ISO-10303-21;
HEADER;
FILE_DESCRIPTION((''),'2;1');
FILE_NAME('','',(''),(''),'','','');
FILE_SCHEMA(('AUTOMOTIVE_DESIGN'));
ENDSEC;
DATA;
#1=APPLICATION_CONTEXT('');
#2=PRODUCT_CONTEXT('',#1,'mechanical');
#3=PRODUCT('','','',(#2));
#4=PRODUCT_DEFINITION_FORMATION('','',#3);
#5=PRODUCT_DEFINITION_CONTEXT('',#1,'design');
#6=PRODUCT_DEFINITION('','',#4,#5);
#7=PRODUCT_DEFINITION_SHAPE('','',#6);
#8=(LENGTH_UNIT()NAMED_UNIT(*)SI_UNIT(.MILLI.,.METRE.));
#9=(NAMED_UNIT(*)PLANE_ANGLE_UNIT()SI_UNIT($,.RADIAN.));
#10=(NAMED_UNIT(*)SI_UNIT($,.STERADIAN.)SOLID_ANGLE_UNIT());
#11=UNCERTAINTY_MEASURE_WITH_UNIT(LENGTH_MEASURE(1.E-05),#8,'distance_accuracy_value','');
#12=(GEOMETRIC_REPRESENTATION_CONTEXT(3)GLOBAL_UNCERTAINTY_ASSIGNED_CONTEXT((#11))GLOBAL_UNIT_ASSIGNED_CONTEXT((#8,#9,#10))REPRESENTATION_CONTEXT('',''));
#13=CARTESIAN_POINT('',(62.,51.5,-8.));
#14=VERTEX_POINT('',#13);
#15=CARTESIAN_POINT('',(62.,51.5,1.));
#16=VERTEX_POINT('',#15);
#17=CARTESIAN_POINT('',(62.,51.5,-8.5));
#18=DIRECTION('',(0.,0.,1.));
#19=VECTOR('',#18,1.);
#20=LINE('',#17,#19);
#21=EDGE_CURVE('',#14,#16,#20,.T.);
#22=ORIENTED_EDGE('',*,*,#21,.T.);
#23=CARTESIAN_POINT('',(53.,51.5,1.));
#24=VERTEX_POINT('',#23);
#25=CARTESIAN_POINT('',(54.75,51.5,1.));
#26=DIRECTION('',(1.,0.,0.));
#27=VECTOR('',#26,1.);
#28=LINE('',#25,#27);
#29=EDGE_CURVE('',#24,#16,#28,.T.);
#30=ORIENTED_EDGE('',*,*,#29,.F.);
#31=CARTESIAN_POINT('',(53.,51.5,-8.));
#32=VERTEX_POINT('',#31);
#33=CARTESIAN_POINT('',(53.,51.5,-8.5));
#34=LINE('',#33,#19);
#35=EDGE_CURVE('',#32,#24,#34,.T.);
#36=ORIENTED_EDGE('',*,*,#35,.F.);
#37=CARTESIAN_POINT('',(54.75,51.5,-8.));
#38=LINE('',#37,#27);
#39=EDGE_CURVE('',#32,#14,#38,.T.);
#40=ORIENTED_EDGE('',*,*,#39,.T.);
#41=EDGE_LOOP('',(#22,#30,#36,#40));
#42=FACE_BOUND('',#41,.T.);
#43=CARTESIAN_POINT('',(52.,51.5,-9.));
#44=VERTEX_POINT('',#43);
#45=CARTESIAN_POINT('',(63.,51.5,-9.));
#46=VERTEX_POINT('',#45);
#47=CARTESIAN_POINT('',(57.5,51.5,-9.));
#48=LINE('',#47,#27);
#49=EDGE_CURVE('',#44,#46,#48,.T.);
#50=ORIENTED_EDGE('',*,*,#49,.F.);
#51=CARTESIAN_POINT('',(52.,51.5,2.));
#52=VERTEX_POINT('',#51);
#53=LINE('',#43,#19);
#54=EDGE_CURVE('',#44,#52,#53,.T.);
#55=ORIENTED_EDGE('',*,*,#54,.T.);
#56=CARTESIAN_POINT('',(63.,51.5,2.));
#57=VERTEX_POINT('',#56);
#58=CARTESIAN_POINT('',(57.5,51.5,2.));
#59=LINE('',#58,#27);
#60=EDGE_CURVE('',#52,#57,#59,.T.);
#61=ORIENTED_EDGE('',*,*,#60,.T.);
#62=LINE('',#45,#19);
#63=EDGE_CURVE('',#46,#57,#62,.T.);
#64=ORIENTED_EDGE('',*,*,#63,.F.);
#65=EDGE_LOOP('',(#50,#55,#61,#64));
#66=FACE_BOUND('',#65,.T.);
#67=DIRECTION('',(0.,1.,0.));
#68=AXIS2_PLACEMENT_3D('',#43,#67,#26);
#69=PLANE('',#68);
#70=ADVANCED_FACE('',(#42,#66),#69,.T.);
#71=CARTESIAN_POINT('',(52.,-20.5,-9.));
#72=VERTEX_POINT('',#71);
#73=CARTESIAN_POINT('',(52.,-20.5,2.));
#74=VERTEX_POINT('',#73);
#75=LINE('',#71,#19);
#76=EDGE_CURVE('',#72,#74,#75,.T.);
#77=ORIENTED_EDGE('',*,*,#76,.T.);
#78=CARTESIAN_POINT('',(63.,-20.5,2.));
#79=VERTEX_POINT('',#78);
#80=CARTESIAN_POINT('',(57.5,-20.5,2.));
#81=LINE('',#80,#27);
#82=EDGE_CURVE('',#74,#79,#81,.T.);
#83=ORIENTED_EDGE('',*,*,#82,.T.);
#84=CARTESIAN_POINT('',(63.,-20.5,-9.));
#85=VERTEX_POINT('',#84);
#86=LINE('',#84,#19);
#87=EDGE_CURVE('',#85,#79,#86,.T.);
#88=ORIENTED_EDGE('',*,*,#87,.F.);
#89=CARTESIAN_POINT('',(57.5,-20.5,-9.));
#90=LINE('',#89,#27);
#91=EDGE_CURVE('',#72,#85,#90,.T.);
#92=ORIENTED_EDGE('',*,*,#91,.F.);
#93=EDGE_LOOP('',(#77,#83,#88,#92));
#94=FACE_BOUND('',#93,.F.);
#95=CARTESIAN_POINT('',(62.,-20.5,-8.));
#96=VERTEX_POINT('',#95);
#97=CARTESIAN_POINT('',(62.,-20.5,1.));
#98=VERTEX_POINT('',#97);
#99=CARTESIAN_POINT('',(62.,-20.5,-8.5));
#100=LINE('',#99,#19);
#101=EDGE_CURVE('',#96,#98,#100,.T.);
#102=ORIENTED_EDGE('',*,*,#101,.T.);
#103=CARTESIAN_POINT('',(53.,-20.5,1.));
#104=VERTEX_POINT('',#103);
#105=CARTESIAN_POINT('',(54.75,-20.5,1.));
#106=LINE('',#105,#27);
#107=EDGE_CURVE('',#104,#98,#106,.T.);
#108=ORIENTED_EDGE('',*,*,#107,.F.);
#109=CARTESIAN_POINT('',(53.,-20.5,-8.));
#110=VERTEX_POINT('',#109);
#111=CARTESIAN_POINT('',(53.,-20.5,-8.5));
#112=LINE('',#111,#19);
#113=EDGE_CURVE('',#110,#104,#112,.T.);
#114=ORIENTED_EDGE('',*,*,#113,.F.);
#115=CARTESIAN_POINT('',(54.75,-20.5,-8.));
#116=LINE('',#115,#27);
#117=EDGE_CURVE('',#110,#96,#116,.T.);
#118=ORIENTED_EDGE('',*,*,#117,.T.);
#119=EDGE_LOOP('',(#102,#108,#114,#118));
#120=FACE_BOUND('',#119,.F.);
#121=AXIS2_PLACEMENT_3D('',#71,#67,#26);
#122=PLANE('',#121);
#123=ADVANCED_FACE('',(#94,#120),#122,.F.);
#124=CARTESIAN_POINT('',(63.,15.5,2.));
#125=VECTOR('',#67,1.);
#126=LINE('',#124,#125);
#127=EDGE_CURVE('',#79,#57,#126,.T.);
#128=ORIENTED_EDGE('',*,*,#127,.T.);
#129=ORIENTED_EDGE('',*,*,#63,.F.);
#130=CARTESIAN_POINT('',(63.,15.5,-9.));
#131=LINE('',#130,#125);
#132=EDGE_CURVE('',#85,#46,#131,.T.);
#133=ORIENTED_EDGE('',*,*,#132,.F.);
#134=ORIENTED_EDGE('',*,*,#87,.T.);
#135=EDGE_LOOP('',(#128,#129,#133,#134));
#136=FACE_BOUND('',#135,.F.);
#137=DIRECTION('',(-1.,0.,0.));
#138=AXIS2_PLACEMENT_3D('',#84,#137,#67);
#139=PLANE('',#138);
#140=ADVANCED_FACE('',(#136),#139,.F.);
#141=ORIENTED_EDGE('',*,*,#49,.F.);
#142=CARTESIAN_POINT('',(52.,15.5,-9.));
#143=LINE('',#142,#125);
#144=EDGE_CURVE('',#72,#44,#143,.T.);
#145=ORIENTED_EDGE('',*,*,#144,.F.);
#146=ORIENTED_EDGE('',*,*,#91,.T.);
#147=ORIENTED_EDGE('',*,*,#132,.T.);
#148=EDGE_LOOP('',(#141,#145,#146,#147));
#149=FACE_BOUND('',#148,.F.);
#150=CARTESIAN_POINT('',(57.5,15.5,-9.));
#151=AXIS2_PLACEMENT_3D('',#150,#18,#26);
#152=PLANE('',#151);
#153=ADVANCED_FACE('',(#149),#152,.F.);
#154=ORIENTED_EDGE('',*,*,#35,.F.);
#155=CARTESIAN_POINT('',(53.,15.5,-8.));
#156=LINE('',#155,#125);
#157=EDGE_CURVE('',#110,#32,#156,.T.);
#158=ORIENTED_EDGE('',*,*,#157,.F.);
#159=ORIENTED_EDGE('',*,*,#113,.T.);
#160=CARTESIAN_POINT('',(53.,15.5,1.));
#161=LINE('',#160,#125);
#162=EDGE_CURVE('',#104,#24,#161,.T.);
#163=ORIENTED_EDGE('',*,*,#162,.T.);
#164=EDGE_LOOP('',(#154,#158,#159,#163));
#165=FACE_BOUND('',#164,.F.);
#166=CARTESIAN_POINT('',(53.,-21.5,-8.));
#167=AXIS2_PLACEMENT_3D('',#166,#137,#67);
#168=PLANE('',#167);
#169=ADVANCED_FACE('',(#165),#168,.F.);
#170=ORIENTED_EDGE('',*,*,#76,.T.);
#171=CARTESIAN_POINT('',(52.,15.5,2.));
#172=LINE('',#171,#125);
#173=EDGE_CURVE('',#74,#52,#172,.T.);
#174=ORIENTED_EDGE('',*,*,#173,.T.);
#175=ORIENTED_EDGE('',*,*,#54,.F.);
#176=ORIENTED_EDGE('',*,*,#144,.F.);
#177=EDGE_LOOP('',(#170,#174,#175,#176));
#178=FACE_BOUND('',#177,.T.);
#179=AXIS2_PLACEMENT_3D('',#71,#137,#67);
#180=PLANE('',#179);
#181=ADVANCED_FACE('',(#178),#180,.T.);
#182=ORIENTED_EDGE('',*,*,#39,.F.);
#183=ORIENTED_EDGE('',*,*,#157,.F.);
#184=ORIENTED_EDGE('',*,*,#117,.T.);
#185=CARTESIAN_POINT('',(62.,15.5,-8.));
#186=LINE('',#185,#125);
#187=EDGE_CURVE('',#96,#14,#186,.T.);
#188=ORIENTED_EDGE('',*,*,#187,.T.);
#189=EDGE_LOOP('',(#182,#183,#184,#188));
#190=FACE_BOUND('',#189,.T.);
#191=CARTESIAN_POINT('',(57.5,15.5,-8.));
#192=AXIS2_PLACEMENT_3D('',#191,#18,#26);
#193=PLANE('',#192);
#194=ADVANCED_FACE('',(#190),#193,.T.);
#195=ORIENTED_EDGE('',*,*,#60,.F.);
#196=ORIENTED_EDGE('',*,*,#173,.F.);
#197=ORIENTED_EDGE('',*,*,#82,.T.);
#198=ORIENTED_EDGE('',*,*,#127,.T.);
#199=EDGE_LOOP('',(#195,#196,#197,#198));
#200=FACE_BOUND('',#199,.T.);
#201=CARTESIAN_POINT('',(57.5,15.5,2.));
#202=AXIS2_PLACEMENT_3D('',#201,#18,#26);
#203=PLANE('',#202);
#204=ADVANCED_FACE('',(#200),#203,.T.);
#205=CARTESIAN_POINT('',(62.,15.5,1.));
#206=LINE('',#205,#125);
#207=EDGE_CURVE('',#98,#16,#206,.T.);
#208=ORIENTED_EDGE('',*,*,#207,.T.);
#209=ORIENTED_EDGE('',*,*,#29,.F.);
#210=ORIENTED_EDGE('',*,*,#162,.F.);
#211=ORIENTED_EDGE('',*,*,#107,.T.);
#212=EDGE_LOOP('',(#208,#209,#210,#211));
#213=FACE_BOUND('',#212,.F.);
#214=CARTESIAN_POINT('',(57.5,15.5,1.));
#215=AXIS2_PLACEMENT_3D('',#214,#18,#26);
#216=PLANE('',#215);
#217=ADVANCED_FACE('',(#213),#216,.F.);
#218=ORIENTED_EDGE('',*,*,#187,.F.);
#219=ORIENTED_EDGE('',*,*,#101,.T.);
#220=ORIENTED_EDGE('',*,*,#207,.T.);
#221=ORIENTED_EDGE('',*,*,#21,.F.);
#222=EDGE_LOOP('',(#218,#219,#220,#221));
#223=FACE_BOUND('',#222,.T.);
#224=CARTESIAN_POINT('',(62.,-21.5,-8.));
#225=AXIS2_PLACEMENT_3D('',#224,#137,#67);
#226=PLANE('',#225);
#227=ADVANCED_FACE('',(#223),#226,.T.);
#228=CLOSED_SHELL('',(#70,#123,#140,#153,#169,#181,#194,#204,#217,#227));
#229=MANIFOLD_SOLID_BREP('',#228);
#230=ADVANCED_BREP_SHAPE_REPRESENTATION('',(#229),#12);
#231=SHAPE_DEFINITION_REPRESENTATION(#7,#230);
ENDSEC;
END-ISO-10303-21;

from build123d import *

# Parameters (mm, degrees)
BOX001_W     = 9
BOX001_H     = 74
BOX001_DEPTH = 9
BOX_W        = 11
BOX_H        = 72
BOX_DEPTH    = 11


with BuildPart() as piplate_sheath_inner:
    # Box001 → Box001 (new body)
    with BuildSketch(Plane(origin=(53, -21.5, -8), x_dir=(1, 0, 0), z_dir=(0, 0, 1))):
        with Locations((4.5, 37)):
            Rectangle(BOX001_W, BOX001_H)
    extrude(amount=BOX001_DEPTH)


with BuildPart() as piplatesheath:
    # Box → Box (new body)
    with BuildSketch(Plane(origin=(52, -20.5, -9), x_dir=(1, 0, 0), z_dir=(0, 0, 1))):
        with Locations((5.5, 36)):
            Rectangle(BOX_W, BOX_H)
    extrude(amount=BOX_DEPTH)

    # Cut001008: cut PiPlate_sheath_inner
    add(piplate_sheath_inner.part, mode=Mode.SUBTRACT)


solid = piplatesheath.part
